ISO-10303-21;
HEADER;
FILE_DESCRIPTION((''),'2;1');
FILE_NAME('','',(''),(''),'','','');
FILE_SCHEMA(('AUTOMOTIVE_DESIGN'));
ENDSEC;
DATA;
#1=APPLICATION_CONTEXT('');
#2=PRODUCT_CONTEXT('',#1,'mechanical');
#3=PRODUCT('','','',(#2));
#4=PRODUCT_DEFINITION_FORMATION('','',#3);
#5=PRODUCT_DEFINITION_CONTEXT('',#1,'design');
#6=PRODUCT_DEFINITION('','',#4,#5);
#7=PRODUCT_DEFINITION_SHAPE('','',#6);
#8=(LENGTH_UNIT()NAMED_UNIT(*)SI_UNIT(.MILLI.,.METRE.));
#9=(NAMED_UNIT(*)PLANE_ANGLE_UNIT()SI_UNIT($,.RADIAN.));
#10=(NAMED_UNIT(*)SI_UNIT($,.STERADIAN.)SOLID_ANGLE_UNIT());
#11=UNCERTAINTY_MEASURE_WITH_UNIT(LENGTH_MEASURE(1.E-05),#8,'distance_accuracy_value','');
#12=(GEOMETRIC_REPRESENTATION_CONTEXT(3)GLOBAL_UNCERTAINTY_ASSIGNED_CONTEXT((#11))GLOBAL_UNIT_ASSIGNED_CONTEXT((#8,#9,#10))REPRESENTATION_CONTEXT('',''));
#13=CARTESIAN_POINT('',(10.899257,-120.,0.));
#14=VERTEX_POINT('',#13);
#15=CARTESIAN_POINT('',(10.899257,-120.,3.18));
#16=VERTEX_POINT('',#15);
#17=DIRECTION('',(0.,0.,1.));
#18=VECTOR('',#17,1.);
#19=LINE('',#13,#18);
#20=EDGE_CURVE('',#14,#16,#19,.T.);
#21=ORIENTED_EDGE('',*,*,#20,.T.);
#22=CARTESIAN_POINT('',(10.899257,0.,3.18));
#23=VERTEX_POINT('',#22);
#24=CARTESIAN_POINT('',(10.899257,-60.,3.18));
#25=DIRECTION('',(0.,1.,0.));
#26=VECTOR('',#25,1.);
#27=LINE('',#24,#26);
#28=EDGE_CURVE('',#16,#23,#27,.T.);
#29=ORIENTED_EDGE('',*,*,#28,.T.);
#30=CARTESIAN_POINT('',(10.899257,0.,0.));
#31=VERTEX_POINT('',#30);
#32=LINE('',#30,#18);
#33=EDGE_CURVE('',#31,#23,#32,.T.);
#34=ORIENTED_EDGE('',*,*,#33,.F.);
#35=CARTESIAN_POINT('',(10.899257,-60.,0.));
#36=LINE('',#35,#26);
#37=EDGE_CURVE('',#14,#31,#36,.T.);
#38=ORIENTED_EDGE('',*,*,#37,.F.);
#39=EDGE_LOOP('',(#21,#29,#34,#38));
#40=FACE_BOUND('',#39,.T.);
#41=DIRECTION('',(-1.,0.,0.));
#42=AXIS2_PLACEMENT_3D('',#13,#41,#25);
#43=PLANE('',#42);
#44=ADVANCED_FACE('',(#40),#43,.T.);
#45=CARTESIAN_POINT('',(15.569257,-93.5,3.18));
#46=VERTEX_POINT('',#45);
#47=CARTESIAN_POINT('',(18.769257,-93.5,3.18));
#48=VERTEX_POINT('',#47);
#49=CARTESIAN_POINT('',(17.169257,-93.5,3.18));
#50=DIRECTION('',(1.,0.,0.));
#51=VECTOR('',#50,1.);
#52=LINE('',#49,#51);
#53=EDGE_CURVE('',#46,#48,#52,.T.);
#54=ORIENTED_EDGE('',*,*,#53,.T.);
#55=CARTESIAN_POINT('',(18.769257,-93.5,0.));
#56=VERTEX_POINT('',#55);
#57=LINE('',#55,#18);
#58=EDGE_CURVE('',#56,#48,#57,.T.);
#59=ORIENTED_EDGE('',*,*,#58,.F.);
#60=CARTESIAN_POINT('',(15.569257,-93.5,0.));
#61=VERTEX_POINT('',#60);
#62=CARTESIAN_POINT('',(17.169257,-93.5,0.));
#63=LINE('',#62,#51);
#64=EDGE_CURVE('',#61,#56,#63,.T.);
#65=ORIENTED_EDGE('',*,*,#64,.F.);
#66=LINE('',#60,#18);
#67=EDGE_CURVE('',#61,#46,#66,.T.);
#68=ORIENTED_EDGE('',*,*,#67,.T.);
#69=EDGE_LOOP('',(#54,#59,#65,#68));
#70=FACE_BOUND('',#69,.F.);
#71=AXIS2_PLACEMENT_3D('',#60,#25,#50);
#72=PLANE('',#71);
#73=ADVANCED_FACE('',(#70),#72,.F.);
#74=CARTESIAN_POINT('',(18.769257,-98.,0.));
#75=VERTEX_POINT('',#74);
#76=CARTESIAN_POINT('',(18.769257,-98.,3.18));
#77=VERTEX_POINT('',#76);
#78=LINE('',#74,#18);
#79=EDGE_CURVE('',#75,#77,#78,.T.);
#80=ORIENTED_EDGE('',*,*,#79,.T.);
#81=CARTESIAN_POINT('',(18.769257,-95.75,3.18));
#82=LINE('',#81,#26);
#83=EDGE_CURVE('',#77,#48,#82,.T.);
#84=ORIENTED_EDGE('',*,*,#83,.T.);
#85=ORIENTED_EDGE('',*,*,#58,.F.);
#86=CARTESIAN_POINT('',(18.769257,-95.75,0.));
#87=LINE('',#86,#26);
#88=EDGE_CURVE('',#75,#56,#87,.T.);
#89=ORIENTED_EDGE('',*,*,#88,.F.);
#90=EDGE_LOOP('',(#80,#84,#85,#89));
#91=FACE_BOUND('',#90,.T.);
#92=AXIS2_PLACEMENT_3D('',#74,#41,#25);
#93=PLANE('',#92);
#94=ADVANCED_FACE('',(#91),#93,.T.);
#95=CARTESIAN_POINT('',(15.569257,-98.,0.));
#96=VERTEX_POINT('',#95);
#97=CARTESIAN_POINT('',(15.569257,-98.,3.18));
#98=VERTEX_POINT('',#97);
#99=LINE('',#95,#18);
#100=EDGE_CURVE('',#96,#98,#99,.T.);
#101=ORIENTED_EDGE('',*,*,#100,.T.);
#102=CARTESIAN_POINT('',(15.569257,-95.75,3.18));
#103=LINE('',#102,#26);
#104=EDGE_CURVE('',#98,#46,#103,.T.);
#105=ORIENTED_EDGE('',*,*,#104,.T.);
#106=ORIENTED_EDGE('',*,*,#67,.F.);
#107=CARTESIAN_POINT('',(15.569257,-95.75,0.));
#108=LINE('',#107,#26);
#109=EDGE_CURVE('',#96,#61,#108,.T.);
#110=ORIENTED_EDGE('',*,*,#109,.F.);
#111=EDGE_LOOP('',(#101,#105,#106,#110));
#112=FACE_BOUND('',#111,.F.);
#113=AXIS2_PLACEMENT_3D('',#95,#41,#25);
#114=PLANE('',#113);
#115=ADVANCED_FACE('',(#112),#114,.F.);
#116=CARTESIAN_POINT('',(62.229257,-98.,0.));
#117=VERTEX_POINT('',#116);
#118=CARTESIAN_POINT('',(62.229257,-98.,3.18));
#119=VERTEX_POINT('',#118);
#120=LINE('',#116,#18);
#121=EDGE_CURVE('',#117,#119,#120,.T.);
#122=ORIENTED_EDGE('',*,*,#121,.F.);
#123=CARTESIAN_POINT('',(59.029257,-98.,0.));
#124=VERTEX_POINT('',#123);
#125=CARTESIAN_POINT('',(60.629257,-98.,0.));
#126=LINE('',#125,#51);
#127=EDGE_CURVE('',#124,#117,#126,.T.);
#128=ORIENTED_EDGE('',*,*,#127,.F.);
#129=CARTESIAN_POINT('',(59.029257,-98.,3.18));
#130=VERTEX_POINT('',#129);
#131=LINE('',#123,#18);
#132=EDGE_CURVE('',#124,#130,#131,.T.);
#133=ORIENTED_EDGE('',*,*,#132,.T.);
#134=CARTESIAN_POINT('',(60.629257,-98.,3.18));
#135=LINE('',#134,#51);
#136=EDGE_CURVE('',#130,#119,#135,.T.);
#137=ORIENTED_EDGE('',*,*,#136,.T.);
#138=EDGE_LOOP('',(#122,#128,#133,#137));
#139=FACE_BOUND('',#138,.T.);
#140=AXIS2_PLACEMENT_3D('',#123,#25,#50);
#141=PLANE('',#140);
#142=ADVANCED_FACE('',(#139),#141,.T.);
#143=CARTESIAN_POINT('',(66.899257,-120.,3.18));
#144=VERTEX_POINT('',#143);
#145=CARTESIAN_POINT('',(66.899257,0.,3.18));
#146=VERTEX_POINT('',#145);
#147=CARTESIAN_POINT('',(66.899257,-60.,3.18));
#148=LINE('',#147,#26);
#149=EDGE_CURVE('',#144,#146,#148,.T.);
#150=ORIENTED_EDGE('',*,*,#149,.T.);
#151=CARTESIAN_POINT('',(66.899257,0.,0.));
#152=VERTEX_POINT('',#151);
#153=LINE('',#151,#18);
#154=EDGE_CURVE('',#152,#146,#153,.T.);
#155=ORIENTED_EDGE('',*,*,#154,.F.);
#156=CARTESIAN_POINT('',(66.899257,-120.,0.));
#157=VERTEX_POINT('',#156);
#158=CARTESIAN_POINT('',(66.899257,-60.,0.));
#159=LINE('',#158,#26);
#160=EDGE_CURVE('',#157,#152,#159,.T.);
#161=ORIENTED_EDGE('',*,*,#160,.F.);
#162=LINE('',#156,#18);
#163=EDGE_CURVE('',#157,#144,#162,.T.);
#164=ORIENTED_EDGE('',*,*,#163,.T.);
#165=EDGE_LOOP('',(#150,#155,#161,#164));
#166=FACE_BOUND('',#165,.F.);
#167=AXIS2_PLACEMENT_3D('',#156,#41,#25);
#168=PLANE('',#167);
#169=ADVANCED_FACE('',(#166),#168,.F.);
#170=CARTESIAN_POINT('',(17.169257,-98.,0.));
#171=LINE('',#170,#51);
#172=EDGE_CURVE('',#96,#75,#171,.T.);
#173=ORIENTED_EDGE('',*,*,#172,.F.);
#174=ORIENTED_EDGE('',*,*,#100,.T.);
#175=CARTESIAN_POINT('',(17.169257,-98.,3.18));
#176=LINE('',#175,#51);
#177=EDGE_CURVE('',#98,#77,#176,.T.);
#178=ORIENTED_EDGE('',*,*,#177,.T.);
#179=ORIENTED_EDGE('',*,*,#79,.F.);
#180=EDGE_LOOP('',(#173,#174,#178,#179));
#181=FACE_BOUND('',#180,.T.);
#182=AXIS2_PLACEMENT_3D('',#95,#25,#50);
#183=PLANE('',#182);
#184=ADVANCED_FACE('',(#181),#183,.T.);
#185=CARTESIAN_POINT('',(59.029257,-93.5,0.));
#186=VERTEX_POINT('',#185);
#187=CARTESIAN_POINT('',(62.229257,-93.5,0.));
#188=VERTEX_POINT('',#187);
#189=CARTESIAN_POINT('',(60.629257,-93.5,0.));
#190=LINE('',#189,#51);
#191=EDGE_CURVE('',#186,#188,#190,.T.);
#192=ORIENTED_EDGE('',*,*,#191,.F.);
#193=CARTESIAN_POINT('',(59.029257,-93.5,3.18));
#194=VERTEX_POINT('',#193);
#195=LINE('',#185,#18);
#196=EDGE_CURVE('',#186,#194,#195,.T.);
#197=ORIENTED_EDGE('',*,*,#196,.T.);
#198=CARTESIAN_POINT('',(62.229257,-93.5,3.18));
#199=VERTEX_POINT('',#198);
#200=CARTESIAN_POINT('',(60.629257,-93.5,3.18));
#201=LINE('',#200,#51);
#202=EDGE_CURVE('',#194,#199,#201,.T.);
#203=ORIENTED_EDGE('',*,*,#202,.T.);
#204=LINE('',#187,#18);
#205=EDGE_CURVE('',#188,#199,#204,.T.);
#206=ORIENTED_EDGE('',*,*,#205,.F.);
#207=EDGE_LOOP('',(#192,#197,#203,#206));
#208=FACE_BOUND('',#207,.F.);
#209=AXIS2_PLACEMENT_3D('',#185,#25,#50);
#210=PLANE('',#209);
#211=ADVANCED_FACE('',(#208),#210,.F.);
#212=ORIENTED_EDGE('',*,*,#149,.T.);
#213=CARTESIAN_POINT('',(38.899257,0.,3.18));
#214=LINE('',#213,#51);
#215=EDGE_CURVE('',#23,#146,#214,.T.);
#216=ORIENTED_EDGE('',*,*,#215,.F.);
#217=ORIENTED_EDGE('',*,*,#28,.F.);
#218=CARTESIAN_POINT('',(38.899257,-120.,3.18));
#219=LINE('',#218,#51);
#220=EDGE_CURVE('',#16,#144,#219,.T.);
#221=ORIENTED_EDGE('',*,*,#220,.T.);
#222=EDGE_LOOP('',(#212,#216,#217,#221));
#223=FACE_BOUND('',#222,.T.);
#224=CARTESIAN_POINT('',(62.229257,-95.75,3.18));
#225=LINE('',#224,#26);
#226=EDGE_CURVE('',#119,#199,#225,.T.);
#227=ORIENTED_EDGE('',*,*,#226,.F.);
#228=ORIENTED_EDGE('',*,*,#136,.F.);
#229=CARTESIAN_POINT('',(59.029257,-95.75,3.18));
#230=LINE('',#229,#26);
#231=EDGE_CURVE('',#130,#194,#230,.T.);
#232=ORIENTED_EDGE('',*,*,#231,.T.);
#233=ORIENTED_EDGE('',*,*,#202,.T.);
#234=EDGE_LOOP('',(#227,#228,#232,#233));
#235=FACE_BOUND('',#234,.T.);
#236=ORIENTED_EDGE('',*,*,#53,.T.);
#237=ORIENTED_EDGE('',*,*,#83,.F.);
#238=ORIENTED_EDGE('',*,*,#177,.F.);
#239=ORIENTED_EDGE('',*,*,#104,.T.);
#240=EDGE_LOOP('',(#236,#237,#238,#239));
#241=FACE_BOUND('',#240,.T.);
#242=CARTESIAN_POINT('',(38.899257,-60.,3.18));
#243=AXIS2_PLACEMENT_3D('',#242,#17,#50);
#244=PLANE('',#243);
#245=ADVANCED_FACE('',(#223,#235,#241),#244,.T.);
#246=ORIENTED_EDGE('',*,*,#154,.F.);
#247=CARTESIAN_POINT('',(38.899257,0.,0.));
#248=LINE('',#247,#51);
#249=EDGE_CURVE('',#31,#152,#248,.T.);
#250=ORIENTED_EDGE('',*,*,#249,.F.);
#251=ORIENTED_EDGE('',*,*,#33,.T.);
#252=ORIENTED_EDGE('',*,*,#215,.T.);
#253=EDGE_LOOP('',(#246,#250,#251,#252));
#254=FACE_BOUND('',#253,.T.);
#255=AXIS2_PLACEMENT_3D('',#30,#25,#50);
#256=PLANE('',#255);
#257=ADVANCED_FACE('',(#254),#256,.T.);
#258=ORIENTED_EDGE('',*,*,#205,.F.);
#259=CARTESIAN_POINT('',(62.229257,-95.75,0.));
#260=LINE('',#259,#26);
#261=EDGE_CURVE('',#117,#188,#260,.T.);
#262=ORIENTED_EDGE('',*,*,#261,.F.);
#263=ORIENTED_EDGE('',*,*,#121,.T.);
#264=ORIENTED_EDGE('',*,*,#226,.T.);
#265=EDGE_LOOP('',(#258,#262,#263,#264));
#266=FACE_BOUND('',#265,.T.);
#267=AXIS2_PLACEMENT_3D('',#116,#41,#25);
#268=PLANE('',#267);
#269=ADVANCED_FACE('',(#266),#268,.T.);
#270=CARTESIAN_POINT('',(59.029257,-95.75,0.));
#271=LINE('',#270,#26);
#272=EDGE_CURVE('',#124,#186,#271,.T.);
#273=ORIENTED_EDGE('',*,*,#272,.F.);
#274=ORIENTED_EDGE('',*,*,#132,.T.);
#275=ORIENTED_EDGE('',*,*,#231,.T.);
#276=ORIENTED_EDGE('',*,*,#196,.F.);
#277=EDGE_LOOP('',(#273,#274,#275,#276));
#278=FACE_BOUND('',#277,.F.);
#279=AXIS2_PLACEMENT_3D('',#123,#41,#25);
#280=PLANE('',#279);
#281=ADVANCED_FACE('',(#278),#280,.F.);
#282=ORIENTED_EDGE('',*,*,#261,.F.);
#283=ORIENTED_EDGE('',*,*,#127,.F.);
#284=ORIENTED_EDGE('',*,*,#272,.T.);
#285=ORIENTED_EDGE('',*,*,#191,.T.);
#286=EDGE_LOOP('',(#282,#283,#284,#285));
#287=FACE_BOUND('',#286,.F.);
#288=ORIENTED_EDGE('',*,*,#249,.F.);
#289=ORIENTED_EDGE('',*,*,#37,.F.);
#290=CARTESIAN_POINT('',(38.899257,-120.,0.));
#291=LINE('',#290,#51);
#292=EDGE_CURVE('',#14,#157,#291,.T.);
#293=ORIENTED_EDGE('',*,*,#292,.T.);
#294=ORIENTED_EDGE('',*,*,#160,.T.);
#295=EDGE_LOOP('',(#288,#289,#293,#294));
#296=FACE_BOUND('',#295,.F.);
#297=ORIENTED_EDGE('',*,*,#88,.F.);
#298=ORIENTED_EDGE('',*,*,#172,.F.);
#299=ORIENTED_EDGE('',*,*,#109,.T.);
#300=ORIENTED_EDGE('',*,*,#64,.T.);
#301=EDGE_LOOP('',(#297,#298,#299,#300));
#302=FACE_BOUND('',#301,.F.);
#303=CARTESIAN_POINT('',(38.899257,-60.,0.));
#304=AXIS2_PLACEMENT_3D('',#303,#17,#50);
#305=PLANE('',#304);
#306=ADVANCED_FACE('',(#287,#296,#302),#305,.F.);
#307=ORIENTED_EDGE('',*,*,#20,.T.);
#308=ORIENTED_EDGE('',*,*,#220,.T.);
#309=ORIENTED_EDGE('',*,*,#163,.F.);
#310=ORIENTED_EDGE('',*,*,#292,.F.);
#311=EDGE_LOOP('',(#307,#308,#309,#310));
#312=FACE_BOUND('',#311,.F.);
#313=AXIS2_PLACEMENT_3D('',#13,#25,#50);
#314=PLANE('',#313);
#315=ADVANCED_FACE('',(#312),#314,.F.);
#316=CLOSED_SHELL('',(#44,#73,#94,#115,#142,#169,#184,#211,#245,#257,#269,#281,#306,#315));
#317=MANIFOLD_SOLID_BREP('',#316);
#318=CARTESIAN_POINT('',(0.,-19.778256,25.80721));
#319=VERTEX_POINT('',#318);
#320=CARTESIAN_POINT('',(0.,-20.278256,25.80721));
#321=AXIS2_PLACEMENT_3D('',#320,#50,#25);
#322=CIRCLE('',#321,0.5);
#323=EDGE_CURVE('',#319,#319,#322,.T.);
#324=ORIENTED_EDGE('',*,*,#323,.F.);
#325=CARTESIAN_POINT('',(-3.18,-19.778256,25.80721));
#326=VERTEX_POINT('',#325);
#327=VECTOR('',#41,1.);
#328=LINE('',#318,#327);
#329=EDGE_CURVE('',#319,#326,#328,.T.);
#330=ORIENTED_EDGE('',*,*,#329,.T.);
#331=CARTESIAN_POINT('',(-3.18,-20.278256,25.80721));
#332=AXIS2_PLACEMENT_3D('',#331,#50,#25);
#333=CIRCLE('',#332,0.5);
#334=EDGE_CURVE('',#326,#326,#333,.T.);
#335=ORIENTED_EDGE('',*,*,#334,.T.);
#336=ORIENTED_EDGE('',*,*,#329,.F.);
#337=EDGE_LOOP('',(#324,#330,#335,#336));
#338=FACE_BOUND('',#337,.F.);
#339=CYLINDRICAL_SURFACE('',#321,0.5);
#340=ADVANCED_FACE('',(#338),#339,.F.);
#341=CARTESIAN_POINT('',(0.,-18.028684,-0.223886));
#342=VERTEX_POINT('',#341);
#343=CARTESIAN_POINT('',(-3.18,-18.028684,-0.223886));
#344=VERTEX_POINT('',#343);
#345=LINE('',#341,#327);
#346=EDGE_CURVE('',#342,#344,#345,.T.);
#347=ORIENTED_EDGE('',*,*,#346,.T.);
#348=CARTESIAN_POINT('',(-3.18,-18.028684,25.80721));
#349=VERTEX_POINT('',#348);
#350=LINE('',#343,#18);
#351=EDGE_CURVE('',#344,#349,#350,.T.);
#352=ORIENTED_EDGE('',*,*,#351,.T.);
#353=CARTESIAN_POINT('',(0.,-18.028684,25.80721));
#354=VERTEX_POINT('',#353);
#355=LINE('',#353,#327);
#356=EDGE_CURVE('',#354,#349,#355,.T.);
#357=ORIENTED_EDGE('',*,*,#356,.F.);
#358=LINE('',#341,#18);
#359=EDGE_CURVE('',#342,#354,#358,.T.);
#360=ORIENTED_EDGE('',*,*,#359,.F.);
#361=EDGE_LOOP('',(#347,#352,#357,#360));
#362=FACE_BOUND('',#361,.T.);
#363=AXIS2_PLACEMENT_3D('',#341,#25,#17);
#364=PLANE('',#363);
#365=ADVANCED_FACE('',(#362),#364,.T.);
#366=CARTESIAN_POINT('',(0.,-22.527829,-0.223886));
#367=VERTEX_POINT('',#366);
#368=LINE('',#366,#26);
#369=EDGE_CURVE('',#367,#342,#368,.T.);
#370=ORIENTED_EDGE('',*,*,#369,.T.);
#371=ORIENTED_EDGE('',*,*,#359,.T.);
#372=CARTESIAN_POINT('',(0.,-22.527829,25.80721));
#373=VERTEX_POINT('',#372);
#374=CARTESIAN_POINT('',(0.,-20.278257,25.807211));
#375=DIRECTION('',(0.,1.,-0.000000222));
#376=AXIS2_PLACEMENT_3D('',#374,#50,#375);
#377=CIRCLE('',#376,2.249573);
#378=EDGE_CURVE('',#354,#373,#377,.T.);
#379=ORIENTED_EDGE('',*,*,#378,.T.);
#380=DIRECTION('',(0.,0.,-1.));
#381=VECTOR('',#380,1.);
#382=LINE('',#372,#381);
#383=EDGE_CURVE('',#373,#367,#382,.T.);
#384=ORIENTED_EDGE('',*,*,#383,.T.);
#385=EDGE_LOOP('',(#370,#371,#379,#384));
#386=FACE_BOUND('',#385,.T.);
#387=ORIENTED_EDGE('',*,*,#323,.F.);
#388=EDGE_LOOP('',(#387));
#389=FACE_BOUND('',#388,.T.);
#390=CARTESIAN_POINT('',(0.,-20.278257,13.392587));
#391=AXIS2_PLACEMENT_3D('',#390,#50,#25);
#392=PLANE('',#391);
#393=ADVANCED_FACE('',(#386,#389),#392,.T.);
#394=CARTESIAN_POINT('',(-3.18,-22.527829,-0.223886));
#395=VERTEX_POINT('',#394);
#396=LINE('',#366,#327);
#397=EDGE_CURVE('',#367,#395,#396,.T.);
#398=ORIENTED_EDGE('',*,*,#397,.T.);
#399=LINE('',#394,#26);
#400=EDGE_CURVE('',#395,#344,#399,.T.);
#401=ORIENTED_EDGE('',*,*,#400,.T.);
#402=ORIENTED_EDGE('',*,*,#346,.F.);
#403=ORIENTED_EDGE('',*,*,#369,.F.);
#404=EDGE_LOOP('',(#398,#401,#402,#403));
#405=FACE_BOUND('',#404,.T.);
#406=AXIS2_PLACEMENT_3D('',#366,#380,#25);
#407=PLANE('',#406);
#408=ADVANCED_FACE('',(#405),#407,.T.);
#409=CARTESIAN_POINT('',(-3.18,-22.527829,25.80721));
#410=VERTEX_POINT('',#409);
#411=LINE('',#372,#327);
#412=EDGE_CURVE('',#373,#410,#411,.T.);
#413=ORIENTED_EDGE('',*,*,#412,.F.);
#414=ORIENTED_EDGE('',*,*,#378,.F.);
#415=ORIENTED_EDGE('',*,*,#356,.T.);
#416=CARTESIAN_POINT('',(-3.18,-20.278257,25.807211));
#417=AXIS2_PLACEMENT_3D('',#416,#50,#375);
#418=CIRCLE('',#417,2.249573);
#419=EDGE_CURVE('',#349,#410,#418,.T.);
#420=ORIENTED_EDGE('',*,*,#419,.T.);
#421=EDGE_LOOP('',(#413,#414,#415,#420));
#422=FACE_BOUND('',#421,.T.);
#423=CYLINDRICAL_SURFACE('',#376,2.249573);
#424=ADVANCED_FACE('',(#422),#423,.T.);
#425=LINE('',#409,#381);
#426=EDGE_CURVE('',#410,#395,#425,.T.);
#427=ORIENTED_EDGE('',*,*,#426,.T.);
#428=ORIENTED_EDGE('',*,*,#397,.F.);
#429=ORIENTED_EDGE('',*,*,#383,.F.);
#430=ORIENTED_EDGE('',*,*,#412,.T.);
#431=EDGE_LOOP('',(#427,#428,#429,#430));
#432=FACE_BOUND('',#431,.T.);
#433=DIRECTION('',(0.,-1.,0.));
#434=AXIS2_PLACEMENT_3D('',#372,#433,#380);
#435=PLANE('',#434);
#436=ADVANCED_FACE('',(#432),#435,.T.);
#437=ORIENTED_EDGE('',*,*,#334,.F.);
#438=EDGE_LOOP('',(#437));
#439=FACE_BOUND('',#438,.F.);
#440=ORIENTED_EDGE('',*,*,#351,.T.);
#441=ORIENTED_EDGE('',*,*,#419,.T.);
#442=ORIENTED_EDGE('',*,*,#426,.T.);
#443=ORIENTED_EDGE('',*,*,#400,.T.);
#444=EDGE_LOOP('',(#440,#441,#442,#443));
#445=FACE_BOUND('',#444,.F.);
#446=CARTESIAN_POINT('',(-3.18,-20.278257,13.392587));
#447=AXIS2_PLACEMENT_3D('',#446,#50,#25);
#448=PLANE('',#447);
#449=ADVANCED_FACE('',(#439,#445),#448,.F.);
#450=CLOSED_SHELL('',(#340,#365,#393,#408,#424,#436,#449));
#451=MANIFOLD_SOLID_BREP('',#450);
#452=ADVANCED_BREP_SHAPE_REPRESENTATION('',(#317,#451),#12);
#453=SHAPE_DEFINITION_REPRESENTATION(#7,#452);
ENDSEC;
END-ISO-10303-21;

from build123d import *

# Parameters (mm, degrees)
F0_R     = 0.5
F1_DEPTH = 3.18
F2_W     = 56
F2_H     = 120
F2_W_2   = 3.2
F2_H_2   = 4.5
F3_DEPTH = 3.18


with BuildPart() as f1:
    # F0 (on Right) → F1 (new body)
    with BuildSketch(Plane.YZ):
        with BuildLine():
            Line((-22.527829, 25.80721), (-22.527829, -0.223886))
            Line((-22.527829, -0.223886), (-18.028684, -0.223886))
            Line((-18.028684, -0.223886), (-18.028684, 25.80721))
            ThreePointArc((-18.028684, 25.80721), (-20.278256, 28.056783), (-22.527829, 25.80721))
        make_face()
        with Locations((-20.278256, 25.80721)):
            Circle(F0_R, mode=Mode.SUBTRACT)
    extrude(amount=-F1_DEPTH)


with BuildPart() as f3:
    # F2 (on Top) → F3 (new body)
    with BuildSketch(Plane.XY):
        with Locations((38.899257, -60)):
            Rectangle(F2_W, F2_H)
        with Locations((17.169257, -95.75)):
            Rectangle(F2_W_2, F2_H_2, mode=Mode.SUBTRACT)
        with Locations((60.629257, -95.75)):
            Rectangle(F2_W_2, F2_H_2, mode=Mode.SUBTRACT)
    extrude(amount=F3_DEPTH)


solid = Compound([f1.part, f3.part])
